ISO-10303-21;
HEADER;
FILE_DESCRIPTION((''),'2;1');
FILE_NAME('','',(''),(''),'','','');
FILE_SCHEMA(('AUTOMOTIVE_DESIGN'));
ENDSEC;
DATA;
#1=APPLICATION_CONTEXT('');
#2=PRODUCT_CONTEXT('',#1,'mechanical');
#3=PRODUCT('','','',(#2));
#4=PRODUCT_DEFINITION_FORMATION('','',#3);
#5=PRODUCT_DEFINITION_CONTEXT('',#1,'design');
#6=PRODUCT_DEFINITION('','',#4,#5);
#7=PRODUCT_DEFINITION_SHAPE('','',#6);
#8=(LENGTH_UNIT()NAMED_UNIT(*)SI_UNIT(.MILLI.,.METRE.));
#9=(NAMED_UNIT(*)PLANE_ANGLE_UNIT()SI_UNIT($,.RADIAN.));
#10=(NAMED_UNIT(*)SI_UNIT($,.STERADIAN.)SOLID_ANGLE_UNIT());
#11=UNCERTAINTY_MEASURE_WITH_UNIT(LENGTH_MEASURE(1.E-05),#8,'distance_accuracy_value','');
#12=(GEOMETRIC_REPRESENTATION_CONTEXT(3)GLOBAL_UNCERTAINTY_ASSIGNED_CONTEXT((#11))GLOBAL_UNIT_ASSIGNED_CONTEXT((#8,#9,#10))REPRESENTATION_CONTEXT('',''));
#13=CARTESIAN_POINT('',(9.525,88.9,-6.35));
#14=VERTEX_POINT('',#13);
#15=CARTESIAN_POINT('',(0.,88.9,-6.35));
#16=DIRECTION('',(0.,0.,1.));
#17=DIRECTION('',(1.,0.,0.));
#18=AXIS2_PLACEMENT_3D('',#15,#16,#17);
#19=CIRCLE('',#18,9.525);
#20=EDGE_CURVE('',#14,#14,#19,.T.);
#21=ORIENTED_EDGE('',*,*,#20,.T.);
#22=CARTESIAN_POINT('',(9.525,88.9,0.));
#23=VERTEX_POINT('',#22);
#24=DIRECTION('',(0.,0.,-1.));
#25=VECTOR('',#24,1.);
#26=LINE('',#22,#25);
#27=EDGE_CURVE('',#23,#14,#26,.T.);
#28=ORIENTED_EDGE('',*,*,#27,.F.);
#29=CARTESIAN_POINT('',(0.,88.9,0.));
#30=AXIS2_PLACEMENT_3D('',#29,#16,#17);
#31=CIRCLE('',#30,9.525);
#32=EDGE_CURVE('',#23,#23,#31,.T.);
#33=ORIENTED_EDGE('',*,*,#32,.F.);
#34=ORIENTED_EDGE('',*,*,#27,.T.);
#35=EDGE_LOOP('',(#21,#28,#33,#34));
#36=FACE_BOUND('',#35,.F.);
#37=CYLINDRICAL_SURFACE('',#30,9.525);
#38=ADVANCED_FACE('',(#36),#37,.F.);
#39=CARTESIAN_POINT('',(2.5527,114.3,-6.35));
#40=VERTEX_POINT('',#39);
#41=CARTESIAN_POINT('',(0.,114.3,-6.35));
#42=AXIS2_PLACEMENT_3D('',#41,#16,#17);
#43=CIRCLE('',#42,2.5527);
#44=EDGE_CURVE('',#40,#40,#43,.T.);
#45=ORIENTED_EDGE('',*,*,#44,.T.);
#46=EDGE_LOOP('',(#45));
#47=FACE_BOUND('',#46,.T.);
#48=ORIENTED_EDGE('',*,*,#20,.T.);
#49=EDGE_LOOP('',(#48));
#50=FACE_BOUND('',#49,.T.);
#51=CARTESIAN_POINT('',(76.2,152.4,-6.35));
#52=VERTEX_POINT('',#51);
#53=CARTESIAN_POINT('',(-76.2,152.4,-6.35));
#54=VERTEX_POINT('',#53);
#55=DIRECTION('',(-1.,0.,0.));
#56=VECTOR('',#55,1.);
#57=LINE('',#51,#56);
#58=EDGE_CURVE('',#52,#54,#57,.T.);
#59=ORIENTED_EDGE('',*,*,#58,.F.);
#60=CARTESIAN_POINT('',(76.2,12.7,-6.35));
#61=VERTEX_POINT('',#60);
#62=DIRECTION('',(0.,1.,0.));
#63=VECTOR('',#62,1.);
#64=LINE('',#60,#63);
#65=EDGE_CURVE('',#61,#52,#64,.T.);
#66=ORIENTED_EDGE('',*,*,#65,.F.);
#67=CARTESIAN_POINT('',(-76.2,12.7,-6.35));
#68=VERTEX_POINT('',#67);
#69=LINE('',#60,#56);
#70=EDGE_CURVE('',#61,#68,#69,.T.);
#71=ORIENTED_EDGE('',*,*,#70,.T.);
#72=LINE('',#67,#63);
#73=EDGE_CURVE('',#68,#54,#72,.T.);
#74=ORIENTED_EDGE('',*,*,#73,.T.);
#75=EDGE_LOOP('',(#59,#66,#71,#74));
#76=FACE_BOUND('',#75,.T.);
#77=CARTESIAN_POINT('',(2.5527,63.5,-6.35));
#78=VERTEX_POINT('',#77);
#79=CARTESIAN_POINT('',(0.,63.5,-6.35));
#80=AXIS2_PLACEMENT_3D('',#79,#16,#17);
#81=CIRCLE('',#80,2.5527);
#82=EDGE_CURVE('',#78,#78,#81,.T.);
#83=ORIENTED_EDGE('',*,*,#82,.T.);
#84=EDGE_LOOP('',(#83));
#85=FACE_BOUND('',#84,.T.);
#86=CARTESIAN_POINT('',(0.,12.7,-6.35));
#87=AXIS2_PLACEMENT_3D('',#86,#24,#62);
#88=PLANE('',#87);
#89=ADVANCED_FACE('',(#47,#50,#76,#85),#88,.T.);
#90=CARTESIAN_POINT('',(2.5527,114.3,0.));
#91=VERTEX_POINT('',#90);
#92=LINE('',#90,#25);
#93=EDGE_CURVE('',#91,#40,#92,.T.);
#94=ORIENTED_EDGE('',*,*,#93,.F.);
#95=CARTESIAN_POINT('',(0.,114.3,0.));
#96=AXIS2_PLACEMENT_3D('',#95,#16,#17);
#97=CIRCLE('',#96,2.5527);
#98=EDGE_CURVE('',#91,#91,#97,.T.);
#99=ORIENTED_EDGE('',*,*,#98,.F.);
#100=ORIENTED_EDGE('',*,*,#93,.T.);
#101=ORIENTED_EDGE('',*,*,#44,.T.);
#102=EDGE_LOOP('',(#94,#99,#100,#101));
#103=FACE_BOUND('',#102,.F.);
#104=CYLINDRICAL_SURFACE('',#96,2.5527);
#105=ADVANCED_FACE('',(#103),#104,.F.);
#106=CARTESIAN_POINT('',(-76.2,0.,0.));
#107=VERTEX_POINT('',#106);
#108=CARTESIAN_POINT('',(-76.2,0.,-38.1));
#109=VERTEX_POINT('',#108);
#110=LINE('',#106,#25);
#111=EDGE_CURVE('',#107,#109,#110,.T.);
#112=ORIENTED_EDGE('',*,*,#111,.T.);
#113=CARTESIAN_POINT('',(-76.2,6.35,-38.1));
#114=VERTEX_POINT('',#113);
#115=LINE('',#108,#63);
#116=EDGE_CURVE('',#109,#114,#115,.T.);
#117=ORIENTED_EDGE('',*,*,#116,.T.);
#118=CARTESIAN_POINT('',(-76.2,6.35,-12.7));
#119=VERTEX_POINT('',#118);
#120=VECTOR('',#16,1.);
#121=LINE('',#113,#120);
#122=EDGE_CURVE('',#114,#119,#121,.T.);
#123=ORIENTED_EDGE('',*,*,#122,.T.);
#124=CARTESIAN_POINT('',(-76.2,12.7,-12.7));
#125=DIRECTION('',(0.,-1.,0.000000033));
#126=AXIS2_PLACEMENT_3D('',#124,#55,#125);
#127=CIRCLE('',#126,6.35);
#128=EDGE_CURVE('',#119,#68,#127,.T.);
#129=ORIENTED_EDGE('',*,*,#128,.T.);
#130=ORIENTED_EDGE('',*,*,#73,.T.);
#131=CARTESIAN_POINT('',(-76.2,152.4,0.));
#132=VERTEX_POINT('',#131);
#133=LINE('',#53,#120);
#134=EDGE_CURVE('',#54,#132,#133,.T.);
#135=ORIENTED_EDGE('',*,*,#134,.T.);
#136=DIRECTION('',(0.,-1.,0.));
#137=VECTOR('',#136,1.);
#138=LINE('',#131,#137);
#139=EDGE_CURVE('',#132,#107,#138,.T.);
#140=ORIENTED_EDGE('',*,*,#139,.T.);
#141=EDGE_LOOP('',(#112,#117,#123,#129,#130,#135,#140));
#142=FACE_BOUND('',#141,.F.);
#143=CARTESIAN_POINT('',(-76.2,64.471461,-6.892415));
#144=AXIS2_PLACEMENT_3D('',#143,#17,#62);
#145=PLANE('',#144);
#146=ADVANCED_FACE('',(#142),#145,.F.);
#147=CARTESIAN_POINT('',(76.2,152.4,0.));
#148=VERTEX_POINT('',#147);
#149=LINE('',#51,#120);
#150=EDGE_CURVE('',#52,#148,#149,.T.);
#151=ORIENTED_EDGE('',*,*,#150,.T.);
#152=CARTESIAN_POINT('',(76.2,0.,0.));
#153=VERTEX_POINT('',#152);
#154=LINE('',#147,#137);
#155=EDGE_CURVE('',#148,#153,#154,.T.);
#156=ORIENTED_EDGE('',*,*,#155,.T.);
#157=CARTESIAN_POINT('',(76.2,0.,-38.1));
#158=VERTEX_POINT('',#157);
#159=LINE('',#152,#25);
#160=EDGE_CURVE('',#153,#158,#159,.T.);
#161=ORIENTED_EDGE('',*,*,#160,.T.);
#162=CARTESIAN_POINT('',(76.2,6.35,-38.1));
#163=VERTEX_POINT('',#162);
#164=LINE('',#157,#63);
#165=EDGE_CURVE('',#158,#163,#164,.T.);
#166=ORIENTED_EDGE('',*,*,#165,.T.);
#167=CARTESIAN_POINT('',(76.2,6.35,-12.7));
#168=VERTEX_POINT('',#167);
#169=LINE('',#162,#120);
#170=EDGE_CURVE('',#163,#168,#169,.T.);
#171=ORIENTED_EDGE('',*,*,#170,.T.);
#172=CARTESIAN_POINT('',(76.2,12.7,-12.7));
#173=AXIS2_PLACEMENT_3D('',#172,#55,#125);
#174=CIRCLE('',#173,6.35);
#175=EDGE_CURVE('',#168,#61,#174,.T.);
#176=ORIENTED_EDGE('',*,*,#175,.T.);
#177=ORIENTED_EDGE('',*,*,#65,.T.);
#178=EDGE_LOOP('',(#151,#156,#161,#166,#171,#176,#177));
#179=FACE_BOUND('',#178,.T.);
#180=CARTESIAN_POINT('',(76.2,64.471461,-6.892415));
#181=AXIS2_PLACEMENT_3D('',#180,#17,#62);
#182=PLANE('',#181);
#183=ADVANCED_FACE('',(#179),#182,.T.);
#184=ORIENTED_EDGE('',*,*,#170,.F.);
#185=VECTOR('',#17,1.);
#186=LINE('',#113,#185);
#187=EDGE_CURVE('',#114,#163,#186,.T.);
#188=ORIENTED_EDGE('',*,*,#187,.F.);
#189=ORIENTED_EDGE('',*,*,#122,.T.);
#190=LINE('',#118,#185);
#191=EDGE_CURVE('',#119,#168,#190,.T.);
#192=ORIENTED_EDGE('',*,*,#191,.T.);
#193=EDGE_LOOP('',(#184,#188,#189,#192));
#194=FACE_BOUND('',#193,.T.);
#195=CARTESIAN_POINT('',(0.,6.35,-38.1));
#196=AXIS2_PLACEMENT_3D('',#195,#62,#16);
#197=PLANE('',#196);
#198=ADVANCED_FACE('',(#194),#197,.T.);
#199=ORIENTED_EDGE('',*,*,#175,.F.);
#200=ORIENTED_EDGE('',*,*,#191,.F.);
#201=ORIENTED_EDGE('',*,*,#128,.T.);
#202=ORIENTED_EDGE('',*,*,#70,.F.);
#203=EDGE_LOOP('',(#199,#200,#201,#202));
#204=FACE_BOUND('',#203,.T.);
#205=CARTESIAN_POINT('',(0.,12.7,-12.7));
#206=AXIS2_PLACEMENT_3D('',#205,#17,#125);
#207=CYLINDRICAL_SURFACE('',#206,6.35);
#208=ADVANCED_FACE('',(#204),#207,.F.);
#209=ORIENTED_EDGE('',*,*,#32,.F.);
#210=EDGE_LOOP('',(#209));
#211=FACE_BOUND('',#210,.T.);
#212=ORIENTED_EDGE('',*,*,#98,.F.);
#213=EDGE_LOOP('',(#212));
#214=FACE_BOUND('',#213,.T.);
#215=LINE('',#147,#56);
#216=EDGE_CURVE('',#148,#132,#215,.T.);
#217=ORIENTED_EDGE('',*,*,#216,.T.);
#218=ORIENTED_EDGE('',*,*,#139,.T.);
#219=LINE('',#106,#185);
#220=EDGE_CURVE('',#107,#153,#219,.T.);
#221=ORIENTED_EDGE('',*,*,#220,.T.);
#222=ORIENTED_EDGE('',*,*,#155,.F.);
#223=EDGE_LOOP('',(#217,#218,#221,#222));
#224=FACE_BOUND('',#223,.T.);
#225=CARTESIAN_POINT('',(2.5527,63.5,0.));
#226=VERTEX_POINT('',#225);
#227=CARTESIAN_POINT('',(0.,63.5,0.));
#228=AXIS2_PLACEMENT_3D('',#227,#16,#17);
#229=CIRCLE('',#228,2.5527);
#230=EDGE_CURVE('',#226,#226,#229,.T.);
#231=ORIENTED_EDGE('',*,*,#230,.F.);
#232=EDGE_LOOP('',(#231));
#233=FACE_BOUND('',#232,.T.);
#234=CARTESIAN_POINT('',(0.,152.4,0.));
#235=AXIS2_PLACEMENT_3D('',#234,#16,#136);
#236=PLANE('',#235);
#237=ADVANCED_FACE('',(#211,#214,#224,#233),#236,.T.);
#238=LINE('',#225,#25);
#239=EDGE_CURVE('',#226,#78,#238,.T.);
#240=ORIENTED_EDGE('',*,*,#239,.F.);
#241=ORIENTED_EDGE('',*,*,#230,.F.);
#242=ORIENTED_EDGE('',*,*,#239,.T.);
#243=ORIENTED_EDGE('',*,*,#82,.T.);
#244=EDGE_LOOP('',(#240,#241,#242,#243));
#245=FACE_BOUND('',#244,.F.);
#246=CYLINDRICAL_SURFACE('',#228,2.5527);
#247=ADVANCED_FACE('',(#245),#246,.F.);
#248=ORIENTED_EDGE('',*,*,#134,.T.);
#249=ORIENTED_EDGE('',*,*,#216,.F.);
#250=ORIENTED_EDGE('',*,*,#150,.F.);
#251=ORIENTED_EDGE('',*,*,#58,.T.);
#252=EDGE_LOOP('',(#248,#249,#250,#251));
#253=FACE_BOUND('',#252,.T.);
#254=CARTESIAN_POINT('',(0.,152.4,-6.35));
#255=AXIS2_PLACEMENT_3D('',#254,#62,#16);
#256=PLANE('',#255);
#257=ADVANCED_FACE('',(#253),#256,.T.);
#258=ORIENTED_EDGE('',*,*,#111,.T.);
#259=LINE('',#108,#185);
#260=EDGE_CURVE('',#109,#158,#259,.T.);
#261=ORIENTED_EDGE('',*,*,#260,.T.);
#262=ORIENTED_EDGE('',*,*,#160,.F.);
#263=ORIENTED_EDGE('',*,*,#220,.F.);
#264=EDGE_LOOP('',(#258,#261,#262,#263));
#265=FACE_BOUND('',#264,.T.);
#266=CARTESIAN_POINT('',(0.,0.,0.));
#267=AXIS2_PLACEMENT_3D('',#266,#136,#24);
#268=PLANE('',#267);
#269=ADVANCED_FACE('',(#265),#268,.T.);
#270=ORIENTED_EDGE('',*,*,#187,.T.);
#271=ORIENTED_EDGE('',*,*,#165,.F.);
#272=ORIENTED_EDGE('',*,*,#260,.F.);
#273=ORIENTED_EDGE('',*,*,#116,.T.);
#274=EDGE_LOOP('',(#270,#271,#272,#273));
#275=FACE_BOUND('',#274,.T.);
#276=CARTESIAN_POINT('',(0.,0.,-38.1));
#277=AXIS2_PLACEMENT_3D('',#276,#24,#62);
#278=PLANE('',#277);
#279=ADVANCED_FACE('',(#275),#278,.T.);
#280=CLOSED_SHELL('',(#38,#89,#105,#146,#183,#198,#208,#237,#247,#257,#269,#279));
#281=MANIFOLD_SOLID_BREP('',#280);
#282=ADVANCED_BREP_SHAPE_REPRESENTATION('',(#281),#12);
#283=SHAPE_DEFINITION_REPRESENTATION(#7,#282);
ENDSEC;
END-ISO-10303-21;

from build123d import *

# Parameters (mm, degrees)
F1_DEPTH = 76.2
F2_R     = 9.525
F2_R_2   = 2.5527
F3_DEPTH = 38.101


with BuildPart() as f1:
    # F0 (on Right) → F1 (new body, symmetric)
    with BuildSketch(Plane.YZ):
        with BuildLine():
            Line((152.4, 0), (0, 0))
            Line((0, 0), (0, -38.1))
            Line((0, -38.1), (6.35, -38.1))
            Line((6.35, -38.1), (6.35, -12.7))
            ThreePointArc((6.35, -12.7), (8.209872, -8.209872), (12.7, -6.35))
            Line((12.7, -6.35), (152.4, -6.35))
            Line((152.4, -6.35), (152.4, 0))
        make_face()
    extrude(amount=F1_DEPTH, both=True)

    # F2 (on Top) → F3 (cut, through all)
    with BuildSketch(Plane.XY):
        with Locations((0, 88.9)):
            Circle(F2_R)
        with Locations((0, 114.3)):
            Circle(F2_R_2)
        with Locations((0, 63.5)):
            Circle(F2_R_2)
    extrude(amount=-F3_DEPTH, mode=Mode.SUBTRACT)


solid = f1.part
